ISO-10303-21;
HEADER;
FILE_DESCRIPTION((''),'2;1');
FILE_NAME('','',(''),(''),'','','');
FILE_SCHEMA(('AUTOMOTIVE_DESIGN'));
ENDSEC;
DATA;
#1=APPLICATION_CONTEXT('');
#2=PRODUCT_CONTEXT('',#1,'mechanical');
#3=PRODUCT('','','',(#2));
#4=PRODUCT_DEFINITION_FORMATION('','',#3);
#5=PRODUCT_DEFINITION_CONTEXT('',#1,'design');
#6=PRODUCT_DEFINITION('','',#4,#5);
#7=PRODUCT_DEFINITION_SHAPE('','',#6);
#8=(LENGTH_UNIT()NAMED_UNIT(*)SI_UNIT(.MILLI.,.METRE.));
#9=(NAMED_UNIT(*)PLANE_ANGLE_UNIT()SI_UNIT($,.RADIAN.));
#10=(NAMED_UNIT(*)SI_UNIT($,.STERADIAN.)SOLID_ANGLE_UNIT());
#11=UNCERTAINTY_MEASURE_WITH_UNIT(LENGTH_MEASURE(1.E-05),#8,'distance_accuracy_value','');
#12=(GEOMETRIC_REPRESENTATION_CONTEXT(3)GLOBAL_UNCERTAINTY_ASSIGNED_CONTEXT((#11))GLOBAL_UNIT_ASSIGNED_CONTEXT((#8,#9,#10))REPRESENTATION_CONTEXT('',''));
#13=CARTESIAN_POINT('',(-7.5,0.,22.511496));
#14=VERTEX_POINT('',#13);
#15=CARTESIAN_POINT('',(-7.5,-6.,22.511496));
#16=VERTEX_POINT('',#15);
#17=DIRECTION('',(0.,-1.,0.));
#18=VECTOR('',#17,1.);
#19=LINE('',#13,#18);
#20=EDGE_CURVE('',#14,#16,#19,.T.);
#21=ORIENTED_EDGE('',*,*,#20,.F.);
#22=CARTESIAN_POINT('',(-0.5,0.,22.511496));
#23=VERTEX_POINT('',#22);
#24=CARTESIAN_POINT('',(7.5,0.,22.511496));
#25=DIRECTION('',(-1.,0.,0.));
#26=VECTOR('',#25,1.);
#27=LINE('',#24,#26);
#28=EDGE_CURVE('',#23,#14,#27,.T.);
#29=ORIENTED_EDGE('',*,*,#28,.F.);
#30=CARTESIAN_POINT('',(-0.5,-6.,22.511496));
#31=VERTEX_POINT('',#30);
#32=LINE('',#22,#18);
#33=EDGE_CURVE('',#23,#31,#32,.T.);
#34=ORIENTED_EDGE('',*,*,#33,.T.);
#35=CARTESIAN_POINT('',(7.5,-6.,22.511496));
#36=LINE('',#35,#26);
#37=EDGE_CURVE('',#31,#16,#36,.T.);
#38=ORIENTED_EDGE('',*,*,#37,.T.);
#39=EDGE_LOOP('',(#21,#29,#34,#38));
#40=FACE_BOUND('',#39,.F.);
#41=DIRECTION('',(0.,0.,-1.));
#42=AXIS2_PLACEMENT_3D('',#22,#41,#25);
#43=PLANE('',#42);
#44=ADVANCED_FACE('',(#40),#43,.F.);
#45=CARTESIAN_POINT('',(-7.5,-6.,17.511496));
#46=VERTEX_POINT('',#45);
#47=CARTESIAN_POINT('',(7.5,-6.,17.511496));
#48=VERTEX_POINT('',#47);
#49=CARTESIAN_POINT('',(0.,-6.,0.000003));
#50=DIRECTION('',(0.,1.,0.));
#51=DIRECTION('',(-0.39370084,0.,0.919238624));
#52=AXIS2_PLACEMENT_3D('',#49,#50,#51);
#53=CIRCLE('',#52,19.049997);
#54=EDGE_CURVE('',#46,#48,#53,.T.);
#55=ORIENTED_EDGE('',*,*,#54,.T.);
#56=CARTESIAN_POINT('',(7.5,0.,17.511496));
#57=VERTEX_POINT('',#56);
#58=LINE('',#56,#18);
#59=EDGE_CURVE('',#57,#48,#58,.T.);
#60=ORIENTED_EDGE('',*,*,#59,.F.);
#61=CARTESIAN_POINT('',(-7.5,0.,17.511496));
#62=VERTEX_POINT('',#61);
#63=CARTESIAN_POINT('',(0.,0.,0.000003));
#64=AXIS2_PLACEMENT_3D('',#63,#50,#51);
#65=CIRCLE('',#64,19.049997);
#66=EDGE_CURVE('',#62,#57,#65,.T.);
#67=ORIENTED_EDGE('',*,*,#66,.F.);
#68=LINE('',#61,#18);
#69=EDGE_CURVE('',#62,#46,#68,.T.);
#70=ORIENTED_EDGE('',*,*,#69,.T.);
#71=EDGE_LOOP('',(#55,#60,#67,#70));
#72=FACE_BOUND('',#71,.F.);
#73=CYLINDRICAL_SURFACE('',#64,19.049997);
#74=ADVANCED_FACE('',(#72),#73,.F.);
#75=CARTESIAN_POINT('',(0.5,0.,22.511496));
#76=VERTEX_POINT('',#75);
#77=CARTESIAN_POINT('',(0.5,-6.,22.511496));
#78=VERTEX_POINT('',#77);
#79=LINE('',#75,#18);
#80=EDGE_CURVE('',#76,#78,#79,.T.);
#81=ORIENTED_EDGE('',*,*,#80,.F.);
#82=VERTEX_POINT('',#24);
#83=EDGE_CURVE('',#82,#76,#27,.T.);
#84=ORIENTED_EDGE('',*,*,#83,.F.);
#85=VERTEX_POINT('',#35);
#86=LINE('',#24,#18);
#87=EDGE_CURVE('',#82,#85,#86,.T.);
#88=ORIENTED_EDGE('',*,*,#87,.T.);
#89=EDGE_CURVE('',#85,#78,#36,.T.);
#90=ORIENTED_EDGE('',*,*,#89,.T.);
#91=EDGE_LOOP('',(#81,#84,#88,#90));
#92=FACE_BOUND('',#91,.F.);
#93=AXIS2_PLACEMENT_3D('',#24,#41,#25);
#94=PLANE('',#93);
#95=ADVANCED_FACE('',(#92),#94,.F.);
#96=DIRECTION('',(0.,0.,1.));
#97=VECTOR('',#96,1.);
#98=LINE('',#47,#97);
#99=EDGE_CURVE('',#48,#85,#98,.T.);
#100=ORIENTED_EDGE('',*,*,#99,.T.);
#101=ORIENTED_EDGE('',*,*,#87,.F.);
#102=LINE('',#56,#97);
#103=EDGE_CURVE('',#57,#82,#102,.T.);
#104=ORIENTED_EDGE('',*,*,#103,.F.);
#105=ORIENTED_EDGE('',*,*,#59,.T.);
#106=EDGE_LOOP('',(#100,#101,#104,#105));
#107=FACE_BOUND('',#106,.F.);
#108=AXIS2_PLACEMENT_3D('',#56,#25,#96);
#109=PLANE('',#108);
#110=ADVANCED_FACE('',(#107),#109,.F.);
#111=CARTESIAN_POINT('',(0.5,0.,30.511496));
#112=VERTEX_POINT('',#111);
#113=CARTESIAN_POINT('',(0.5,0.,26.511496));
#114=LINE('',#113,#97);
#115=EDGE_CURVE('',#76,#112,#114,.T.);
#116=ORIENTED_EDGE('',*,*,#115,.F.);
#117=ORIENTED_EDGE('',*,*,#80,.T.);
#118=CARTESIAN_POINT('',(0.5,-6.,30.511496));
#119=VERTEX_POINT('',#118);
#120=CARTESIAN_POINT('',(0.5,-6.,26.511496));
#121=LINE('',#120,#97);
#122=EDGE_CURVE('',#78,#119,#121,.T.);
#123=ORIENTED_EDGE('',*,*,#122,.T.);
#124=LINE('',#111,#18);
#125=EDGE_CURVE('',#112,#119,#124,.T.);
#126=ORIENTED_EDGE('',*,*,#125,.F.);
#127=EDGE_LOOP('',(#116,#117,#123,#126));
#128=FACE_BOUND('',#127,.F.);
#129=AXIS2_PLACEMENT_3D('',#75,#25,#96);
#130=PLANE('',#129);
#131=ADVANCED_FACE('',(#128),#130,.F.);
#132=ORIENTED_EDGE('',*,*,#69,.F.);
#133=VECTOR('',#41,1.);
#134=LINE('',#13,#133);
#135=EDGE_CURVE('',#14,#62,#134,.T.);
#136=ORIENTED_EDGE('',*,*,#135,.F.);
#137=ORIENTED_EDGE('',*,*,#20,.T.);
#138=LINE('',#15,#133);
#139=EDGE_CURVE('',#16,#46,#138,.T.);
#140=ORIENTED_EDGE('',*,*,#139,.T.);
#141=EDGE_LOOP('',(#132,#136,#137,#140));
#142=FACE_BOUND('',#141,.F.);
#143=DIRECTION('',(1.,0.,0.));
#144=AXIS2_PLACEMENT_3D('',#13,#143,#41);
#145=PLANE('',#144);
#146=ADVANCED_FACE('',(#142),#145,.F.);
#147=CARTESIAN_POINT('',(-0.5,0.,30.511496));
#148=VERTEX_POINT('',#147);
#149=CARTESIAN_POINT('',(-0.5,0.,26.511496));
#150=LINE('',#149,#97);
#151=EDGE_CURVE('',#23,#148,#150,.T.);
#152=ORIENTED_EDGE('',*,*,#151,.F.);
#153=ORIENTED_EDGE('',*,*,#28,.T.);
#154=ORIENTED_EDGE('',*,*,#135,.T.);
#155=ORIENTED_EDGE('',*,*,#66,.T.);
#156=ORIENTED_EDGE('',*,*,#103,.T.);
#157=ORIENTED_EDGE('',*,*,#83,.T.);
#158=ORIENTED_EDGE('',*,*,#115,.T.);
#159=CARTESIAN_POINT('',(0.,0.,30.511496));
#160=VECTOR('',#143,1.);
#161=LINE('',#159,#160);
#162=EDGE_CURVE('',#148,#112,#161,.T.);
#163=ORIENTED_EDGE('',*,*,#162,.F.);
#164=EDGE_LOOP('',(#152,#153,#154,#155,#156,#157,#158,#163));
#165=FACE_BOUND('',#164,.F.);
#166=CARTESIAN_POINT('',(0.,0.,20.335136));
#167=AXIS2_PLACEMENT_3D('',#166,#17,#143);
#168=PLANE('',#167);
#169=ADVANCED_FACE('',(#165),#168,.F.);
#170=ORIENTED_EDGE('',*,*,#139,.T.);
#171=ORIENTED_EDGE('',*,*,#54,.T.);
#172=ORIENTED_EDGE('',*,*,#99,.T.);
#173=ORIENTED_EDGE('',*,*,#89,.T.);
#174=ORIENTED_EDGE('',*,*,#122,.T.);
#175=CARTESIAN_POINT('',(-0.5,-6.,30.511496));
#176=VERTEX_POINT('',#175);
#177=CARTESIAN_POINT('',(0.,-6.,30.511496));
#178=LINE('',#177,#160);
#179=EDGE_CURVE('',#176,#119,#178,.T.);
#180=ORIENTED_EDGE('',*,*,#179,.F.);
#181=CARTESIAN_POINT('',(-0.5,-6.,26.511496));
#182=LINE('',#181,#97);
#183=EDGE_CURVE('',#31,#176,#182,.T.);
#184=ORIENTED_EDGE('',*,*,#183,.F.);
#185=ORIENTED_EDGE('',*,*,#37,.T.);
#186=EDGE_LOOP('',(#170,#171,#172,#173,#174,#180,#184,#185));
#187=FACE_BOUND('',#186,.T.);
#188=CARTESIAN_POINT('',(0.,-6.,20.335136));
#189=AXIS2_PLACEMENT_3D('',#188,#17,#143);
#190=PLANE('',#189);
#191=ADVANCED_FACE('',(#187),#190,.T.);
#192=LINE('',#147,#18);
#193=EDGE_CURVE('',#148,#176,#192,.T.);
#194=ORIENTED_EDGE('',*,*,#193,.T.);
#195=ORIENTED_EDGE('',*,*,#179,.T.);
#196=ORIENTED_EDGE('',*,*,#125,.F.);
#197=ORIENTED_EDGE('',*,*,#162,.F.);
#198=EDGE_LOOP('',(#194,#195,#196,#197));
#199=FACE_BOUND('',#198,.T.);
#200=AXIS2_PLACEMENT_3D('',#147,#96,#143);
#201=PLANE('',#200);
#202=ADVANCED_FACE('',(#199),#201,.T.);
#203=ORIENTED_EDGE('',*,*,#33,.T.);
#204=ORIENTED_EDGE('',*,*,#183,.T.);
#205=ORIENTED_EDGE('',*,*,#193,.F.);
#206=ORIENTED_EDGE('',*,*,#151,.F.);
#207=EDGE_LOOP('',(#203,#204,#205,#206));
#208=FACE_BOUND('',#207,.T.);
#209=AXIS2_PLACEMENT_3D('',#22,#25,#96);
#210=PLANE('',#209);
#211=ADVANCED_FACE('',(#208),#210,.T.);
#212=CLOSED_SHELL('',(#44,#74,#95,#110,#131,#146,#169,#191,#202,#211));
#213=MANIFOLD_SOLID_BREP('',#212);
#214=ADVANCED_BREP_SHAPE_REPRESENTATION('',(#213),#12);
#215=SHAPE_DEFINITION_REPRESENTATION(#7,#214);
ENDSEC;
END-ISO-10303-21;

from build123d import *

# Parameters (mm, degrees)
F0_W     = 1
F0_H     = 8
F1_DEPTH = 6


with BuildPart() as f1:
    # F0 (on Front) → F1 (new body)
    with BuildSketch(Plane.XZ):
        with BuildLine():
            ThreePointArc((-7.5, 17.511496), (0, 19.05), (7.5, 17.511496))
            Line((7.5, 17.511496), (7.5, 22.511496))
            Line((7.5, 22.511496), (0.5, 22.511496))
            Line((0.5, 22.511496), (-0.5, 22.511496))
            Line((-0.5, 22.511496), (-7.5, 22.511496))
            Line((-7.5, 22.511496), (-7.5, 17.511496))
        make_face()
        with Locations((0, 26.511496)):
            Rectangle(F0_W, F0_H)
    extrude(amount=F1_DEPTH)


solid = f1.part
